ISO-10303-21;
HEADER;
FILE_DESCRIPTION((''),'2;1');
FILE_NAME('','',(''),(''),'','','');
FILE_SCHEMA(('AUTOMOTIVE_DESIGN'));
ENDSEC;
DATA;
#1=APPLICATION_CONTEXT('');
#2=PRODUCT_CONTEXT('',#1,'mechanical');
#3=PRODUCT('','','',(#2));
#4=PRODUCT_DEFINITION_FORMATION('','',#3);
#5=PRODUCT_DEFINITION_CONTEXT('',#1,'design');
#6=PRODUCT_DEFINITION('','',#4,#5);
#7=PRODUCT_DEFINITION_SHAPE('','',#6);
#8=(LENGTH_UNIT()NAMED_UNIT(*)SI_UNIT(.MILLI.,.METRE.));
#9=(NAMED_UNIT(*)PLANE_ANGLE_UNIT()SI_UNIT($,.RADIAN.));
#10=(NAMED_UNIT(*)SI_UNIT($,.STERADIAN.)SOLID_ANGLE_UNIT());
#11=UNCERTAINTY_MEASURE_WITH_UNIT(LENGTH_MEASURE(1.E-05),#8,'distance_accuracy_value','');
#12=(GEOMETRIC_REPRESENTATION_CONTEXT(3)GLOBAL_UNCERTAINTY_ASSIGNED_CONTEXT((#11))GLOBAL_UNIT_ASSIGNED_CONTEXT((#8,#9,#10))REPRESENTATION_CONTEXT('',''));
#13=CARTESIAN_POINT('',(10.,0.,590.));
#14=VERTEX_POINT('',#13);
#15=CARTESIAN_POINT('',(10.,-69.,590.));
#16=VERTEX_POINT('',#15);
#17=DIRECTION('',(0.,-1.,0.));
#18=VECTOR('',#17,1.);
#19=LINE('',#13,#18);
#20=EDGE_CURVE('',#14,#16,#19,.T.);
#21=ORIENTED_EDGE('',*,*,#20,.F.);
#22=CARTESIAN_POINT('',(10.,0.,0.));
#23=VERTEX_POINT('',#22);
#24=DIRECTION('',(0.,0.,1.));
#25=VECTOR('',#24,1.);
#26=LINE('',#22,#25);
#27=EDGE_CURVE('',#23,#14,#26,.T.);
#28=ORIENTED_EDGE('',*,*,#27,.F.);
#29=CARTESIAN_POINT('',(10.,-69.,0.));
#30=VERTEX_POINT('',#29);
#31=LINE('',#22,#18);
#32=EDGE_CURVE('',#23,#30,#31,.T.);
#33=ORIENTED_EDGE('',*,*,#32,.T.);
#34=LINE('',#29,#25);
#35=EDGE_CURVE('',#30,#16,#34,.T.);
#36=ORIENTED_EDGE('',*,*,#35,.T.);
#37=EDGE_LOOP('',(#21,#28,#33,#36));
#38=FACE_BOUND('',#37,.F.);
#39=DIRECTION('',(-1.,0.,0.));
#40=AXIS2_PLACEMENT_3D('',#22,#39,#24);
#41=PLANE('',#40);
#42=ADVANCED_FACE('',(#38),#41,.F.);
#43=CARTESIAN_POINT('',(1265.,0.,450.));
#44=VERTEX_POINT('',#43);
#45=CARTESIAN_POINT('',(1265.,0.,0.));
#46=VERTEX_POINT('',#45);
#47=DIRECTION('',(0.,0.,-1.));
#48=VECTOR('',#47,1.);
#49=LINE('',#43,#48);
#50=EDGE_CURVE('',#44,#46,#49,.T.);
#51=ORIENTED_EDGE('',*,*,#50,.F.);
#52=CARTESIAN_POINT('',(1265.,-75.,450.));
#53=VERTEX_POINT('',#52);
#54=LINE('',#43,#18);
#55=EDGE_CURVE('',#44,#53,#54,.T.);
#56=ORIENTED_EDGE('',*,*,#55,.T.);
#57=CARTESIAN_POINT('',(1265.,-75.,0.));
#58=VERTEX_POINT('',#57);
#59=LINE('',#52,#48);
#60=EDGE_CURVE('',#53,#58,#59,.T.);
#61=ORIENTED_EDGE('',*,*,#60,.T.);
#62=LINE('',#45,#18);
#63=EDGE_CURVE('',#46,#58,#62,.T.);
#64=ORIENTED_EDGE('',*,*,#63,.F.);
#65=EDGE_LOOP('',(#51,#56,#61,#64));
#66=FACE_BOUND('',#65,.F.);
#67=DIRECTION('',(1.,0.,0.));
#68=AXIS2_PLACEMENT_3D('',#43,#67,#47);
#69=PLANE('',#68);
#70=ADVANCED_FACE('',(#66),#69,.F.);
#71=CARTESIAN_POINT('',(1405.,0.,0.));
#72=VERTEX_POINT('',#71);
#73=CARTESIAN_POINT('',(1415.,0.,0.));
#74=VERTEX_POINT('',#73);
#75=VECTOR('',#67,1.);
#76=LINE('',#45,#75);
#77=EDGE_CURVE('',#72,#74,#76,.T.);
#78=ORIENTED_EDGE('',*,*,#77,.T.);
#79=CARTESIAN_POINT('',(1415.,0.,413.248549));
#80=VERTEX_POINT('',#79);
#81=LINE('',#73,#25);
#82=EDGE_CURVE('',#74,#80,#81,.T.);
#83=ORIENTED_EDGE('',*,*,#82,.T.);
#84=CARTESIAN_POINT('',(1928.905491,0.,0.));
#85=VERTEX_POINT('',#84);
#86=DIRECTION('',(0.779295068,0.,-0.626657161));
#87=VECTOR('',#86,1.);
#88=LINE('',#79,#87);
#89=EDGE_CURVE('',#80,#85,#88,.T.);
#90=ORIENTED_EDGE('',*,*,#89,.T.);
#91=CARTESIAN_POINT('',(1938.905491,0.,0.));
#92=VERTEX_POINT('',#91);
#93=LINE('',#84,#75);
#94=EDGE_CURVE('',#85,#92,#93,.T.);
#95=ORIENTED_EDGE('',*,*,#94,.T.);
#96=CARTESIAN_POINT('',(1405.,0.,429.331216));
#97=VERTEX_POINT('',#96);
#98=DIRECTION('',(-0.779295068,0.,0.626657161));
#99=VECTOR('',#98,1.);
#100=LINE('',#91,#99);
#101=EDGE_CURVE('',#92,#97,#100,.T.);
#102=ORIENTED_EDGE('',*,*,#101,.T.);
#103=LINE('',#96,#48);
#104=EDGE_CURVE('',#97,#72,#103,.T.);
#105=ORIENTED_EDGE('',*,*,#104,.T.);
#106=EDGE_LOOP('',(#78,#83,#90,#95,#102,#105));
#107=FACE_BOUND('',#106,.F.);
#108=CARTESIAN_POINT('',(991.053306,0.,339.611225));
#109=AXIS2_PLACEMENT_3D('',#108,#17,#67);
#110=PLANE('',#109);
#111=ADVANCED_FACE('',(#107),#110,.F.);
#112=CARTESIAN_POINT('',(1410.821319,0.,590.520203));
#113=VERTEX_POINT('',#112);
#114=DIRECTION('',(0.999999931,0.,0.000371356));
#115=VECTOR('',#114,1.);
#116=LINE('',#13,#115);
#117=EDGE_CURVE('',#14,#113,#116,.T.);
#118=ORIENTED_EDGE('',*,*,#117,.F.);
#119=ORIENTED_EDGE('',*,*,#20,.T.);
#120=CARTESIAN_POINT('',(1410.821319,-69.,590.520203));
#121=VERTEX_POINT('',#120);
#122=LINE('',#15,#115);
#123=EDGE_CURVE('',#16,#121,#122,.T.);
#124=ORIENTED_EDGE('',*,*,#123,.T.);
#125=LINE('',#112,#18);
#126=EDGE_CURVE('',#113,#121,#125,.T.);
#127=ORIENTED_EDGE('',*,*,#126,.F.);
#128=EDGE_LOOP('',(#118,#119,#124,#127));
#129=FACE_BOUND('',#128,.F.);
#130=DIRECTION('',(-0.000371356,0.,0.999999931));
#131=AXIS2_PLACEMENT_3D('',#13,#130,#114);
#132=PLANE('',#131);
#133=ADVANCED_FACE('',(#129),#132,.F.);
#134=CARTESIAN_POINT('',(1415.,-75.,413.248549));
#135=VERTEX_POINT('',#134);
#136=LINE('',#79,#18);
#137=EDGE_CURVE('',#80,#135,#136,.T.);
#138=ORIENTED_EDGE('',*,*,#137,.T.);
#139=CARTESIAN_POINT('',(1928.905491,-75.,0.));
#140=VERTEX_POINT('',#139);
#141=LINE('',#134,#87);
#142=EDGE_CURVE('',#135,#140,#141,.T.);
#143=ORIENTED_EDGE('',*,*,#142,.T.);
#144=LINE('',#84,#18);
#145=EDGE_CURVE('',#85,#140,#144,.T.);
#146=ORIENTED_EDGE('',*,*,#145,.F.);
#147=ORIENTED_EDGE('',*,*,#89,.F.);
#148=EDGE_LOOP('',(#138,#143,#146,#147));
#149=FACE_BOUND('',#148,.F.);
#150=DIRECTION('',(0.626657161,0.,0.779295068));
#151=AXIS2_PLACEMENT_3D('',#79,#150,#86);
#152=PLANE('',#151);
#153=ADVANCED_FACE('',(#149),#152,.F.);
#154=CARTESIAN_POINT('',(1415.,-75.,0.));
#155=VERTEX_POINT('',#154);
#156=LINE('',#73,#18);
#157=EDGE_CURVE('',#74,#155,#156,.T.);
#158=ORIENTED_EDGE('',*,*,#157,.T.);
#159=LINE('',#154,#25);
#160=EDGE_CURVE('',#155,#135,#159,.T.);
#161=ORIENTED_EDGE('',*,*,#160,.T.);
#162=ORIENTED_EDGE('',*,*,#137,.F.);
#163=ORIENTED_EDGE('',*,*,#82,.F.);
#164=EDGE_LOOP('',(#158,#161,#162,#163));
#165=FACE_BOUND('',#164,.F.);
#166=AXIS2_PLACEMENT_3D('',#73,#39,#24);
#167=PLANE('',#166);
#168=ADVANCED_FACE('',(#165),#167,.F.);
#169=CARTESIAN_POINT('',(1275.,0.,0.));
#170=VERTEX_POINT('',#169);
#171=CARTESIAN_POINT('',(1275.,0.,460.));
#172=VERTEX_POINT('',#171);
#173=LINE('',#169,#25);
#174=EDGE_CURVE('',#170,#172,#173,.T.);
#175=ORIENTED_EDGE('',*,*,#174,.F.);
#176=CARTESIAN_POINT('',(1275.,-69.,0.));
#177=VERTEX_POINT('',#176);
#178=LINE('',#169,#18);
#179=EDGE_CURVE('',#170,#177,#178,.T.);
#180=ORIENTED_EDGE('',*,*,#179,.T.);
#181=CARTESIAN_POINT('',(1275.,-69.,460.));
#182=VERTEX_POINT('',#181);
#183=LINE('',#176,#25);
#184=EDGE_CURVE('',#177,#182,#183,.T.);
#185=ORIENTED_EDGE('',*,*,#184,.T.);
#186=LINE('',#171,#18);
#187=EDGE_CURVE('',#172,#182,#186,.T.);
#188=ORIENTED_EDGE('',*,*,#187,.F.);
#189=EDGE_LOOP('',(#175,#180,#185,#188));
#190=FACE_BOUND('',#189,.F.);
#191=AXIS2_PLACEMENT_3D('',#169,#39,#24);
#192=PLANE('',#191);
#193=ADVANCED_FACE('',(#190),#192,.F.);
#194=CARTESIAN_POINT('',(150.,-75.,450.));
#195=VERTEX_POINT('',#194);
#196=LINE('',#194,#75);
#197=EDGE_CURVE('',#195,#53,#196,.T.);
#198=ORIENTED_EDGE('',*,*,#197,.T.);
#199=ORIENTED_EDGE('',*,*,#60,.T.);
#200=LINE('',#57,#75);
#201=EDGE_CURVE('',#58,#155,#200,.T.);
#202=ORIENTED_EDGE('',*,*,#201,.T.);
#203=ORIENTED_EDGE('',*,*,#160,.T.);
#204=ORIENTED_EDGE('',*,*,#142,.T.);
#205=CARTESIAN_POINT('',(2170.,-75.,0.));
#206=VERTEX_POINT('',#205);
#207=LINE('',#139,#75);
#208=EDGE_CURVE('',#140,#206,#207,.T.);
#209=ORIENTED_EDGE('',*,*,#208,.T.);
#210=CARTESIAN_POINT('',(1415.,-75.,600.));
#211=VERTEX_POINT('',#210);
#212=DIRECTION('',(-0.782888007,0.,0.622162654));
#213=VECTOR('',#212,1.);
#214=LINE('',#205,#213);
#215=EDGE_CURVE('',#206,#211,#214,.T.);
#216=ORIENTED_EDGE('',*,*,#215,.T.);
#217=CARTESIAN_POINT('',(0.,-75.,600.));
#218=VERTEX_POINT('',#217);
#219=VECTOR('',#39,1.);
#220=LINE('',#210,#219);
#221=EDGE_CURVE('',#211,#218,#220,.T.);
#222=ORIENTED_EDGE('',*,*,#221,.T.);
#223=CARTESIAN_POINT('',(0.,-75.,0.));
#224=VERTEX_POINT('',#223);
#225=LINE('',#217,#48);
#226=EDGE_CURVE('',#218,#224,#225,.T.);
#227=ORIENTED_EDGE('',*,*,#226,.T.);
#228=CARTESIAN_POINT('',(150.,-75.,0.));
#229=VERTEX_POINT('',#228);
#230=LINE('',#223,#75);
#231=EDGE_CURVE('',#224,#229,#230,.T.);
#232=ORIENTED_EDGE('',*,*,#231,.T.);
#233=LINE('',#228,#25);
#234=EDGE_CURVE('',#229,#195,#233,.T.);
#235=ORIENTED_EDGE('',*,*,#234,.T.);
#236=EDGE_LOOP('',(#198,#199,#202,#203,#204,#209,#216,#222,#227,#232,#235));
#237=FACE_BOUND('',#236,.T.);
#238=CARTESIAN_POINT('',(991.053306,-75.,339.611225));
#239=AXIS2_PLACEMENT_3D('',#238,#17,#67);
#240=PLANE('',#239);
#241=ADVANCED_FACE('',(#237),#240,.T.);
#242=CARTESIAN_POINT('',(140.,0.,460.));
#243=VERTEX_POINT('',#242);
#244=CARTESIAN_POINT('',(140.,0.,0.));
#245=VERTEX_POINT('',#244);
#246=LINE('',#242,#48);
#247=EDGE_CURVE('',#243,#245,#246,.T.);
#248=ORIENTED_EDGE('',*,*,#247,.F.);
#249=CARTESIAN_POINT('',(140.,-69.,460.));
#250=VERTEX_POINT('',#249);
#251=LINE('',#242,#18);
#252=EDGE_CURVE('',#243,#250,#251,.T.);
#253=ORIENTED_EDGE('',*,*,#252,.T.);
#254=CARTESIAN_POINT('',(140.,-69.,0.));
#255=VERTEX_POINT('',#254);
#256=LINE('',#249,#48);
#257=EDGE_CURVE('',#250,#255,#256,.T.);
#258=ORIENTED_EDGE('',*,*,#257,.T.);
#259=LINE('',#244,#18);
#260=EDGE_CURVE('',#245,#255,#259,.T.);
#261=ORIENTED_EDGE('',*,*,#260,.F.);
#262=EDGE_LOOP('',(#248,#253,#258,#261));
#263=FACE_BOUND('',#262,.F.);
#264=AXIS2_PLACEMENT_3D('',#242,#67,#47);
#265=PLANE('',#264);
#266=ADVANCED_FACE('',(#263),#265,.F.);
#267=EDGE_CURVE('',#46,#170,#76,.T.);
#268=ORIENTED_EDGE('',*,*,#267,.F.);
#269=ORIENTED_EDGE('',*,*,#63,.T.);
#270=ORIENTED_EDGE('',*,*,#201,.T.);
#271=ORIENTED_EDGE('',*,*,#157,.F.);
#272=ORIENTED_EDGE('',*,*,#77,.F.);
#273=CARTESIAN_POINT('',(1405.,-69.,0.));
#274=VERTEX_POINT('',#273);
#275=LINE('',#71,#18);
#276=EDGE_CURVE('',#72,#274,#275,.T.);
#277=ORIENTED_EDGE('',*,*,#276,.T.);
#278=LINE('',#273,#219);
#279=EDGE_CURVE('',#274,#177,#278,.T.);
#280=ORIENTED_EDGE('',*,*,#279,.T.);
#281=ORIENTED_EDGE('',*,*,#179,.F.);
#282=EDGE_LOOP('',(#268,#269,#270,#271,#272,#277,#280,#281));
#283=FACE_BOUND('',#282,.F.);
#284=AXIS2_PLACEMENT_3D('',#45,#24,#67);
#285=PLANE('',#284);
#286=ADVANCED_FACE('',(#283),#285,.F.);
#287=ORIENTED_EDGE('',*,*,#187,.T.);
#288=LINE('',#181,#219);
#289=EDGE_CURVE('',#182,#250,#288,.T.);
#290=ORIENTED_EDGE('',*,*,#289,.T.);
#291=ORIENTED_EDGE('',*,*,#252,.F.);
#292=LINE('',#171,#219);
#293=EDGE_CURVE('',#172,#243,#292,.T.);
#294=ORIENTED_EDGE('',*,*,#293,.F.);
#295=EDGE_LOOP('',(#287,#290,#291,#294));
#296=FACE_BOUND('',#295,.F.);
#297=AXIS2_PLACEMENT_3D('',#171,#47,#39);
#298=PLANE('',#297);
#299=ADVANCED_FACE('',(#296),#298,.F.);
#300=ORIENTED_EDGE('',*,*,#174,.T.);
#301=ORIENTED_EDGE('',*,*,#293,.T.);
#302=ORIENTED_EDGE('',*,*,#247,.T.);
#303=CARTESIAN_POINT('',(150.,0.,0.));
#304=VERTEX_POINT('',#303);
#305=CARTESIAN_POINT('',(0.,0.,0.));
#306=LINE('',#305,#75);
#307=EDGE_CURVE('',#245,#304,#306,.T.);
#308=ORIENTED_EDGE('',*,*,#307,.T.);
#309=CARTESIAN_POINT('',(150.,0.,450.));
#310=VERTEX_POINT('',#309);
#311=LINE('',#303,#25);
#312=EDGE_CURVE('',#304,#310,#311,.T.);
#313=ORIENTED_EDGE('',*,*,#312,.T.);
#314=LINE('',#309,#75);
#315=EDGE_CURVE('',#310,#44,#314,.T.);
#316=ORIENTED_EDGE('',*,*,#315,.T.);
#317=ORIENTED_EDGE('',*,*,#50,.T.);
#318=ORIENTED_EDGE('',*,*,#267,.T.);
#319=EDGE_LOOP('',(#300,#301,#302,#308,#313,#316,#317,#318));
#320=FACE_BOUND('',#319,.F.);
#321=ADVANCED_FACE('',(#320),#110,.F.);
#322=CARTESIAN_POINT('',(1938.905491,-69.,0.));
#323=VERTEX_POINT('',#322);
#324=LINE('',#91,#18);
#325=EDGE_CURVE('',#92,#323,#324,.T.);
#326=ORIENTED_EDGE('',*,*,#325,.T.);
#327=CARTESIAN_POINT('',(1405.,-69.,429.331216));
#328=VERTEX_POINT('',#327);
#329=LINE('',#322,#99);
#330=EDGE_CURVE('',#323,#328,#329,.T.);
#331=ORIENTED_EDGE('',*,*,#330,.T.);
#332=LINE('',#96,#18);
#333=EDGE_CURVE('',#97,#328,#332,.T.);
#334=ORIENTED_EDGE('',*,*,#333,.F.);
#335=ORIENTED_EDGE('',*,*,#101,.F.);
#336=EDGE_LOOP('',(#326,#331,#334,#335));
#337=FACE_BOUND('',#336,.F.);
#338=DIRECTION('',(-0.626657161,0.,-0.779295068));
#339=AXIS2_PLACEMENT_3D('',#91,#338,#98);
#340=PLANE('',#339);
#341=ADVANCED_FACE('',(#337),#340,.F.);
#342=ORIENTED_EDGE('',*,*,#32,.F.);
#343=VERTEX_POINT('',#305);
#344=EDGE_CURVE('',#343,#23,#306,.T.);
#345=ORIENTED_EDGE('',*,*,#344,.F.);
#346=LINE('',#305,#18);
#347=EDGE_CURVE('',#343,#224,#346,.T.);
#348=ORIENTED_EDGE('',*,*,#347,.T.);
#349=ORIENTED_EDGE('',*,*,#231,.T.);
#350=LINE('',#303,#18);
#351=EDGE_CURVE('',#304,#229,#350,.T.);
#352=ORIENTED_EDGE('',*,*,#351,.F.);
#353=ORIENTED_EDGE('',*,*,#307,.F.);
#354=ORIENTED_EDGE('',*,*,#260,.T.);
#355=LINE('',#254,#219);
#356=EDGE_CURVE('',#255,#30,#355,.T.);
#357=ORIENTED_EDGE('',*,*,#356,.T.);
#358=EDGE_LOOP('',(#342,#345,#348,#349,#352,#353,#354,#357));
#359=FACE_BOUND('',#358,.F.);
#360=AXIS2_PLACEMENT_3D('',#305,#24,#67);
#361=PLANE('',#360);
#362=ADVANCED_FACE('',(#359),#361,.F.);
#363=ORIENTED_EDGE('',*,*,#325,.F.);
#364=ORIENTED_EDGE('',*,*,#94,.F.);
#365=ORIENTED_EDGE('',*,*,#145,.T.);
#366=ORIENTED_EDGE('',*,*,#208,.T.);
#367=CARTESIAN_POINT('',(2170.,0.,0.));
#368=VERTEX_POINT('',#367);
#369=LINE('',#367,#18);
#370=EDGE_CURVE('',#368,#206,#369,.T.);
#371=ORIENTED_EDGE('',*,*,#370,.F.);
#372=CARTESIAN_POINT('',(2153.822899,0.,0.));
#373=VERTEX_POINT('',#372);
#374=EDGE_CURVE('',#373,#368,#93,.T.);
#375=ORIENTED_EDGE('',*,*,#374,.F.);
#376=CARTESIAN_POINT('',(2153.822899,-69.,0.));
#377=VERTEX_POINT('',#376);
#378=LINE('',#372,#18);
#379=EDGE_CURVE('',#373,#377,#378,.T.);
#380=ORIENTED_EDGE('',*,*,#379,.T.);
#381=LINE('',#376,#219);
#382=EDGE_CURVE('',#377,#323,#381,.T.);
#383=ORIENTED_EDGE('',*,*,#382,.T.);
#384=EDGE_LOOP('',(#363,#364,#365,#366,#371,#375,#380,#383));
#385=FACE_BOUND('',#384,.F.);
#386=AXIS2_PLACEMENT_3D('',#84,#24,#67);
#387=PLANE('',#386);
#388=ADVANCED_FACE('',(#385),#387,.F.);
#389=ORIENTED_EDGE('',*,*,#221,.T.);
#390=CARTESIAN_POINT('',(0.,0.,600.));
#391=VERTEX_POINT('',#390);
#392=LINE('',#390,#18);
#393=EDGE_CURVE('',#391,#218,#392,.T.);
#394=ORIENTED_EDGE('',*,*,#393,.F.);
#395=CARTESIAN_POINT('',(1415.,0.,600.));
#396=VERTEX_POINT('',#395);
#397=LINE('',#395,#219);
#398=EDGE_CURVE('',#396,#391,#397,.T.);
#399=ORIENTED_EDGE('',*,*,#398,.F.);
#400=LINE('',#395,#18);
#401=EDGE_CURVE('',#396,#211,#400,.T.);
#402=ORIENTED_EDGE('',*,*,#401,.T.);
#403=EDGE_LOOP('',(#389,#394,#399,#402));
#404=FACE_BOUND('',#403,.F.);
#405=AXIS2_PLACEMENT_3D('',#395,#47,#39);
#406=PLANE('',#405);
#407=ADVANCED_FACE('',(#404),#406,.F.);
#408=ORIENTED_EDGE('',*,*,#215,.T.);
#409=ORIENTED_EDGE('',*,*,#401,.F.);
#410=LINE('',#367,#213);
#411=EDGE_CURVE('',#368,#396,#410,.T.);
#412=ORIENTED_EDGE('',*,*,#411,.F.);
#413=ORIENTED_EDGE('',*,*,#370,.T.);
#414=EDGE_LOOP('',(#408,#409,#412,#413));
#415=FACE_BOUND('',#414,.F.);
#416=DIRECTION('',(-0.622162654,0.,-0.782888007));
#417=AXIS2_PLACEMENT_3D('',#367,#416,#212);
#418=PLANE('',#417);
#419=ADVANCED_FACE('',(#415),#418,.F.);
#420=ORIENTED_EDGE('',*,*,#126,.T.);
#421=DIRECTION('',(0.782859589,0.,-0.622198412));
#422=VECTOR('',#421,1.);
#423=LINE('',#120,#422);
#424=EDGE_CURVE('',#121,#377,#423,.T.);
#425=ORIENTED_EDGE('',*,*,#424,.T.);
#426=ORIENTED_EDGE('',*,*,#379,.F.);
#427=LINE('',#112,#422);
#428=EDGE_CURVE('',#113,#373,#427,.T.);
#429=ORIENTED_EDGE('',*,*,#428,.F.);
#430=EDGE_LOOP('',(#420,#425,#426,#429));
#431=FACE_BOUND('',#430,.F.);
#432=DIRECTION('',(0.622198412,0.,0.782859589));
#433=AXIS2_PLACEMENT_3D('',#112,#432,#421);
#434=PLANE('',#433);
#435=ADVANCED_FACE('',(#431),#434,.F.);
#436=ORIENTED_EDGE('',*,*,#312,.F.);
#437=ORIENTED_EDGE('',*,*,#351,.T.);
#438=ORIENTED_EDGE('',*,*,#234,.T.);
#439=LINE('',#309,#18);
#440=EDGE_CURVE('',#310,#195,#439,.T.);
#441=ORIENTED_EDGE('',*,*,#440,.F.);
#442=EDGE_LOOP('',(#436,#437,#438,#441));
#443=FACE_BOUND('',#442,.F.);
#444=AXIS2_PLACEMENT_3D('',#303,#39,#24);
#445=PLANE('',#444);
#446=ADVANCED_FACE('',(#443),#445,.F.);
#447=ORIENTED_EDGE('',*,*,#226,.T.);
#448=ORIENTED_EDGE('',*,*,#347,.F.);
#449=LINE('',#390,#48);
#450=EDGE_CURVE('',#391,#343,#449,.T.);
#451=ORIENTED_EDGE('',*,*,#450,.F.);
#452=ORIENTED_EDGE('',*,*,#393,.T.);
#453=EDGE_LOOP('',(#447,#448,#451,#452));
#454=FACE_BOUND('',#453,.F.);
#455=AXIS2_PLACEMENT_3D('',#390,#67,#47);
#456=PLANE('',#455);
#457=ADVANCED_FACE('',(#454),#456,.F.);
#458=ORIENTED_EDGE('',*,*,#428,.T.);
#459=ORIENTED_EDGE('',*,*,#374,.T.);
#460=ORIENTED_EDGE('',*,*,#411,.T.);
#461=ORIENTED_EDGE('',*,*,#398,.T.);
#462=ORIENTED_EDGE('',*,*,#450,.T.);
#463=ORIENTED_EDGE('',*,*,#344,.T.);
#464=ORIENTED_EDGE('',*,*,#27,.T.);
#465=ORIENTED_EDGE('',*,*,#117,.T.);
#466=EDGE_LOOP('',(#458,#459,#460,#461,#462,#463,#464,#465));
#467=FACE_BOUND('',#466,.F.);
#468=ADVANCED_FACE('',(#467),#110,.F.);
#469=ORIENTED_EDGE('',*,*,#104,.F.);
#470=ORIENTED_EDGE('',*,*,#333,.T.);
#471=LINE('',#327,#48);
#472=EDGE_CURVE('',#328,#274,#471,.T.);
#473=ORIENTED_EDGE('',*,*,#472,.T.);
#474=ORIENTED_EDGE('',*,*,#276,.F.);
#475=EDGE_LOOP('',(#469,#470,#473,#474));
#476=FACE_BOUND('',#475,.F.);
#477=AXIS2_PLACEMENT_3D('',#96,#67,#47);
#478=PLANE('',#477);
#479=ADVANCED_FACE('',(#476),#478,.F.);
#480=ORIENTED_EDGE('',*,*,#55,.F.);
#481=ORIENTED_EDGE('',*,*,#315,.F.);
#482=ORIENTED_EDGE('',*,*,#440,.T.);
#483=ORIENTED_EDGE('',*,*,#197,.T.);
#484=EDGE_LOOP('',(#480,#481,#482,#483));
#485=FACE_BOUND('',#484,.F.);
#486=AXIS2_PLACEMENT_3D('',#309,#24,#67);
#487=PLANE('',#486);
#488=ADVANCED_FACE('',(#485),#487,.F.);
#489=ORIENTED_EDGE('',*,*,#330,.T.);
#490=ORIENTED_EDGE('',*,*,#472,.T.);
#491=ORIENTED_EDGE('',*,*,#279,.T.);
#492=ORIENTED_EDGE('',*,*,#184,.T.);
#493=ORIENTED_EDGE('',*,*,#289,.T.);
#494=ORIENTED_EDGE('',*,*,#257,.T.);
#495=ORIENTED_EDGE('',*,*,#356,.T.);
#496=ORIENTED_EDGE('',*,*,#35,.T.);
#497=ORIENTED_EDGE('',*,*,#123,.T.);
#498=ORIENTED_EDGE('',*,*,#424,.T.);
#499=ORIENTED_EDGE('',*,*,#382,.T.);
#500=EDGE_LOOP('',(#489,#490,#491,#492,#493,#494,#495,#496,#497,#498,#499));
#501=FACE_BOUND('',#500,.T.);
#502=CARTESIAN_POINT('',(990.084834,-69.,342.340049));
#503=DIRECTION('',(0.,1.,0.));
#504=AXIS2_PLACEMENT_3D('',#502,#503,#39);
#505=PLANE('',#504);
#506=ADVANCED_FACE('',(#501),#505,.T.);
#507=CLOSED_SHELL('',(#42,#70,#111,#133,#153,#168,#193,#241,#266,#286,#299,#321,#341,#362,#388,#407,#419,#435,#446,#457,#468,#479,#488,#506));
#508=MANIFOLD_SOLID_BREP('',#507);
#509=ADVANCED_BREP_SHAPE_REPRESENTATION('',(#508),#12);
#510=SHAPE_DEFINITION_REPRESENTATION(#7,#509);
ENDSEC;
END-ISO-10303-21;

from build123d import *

# Parameters (mm, degrees)
F1_DEPTH = 75
F3_DEPTH = 69


with BuildPart() as f1:
    # F0 (on Front) → F1 (new body)
    with BuildSketch(Plane.XZ):
        Polygon((0, 600), (0, 0), (150, 0), (150, 450), (1265, 450), (1265, 0), (1415, 0), (1415, 413.248549), (1928.905491, 0), (2170, 0), (1415, 600), align=None)
    extrude(amount=F1_DEPTH)

    # F2 (on face) → F3 (cut)
    with BuildSketch(Plane(origin=(0, 0, 0), x_dir=(-1, 0, 0), z_dir=(0, 1, 0))):
        Polygon((-1405, 0), (-1275, 0), (-1275, 460), (-140, 460), (-140, 0), (-10, 0), (-10, 590), (-1410.821319, 590.520203), (-2153.822899, 0), (-1938.905491, 0), (-1405, 429.331216), align=None)
    extrude(amount=-F3_DEPTH, mode=Mode.SUBTRACT)


solid = f1.part
